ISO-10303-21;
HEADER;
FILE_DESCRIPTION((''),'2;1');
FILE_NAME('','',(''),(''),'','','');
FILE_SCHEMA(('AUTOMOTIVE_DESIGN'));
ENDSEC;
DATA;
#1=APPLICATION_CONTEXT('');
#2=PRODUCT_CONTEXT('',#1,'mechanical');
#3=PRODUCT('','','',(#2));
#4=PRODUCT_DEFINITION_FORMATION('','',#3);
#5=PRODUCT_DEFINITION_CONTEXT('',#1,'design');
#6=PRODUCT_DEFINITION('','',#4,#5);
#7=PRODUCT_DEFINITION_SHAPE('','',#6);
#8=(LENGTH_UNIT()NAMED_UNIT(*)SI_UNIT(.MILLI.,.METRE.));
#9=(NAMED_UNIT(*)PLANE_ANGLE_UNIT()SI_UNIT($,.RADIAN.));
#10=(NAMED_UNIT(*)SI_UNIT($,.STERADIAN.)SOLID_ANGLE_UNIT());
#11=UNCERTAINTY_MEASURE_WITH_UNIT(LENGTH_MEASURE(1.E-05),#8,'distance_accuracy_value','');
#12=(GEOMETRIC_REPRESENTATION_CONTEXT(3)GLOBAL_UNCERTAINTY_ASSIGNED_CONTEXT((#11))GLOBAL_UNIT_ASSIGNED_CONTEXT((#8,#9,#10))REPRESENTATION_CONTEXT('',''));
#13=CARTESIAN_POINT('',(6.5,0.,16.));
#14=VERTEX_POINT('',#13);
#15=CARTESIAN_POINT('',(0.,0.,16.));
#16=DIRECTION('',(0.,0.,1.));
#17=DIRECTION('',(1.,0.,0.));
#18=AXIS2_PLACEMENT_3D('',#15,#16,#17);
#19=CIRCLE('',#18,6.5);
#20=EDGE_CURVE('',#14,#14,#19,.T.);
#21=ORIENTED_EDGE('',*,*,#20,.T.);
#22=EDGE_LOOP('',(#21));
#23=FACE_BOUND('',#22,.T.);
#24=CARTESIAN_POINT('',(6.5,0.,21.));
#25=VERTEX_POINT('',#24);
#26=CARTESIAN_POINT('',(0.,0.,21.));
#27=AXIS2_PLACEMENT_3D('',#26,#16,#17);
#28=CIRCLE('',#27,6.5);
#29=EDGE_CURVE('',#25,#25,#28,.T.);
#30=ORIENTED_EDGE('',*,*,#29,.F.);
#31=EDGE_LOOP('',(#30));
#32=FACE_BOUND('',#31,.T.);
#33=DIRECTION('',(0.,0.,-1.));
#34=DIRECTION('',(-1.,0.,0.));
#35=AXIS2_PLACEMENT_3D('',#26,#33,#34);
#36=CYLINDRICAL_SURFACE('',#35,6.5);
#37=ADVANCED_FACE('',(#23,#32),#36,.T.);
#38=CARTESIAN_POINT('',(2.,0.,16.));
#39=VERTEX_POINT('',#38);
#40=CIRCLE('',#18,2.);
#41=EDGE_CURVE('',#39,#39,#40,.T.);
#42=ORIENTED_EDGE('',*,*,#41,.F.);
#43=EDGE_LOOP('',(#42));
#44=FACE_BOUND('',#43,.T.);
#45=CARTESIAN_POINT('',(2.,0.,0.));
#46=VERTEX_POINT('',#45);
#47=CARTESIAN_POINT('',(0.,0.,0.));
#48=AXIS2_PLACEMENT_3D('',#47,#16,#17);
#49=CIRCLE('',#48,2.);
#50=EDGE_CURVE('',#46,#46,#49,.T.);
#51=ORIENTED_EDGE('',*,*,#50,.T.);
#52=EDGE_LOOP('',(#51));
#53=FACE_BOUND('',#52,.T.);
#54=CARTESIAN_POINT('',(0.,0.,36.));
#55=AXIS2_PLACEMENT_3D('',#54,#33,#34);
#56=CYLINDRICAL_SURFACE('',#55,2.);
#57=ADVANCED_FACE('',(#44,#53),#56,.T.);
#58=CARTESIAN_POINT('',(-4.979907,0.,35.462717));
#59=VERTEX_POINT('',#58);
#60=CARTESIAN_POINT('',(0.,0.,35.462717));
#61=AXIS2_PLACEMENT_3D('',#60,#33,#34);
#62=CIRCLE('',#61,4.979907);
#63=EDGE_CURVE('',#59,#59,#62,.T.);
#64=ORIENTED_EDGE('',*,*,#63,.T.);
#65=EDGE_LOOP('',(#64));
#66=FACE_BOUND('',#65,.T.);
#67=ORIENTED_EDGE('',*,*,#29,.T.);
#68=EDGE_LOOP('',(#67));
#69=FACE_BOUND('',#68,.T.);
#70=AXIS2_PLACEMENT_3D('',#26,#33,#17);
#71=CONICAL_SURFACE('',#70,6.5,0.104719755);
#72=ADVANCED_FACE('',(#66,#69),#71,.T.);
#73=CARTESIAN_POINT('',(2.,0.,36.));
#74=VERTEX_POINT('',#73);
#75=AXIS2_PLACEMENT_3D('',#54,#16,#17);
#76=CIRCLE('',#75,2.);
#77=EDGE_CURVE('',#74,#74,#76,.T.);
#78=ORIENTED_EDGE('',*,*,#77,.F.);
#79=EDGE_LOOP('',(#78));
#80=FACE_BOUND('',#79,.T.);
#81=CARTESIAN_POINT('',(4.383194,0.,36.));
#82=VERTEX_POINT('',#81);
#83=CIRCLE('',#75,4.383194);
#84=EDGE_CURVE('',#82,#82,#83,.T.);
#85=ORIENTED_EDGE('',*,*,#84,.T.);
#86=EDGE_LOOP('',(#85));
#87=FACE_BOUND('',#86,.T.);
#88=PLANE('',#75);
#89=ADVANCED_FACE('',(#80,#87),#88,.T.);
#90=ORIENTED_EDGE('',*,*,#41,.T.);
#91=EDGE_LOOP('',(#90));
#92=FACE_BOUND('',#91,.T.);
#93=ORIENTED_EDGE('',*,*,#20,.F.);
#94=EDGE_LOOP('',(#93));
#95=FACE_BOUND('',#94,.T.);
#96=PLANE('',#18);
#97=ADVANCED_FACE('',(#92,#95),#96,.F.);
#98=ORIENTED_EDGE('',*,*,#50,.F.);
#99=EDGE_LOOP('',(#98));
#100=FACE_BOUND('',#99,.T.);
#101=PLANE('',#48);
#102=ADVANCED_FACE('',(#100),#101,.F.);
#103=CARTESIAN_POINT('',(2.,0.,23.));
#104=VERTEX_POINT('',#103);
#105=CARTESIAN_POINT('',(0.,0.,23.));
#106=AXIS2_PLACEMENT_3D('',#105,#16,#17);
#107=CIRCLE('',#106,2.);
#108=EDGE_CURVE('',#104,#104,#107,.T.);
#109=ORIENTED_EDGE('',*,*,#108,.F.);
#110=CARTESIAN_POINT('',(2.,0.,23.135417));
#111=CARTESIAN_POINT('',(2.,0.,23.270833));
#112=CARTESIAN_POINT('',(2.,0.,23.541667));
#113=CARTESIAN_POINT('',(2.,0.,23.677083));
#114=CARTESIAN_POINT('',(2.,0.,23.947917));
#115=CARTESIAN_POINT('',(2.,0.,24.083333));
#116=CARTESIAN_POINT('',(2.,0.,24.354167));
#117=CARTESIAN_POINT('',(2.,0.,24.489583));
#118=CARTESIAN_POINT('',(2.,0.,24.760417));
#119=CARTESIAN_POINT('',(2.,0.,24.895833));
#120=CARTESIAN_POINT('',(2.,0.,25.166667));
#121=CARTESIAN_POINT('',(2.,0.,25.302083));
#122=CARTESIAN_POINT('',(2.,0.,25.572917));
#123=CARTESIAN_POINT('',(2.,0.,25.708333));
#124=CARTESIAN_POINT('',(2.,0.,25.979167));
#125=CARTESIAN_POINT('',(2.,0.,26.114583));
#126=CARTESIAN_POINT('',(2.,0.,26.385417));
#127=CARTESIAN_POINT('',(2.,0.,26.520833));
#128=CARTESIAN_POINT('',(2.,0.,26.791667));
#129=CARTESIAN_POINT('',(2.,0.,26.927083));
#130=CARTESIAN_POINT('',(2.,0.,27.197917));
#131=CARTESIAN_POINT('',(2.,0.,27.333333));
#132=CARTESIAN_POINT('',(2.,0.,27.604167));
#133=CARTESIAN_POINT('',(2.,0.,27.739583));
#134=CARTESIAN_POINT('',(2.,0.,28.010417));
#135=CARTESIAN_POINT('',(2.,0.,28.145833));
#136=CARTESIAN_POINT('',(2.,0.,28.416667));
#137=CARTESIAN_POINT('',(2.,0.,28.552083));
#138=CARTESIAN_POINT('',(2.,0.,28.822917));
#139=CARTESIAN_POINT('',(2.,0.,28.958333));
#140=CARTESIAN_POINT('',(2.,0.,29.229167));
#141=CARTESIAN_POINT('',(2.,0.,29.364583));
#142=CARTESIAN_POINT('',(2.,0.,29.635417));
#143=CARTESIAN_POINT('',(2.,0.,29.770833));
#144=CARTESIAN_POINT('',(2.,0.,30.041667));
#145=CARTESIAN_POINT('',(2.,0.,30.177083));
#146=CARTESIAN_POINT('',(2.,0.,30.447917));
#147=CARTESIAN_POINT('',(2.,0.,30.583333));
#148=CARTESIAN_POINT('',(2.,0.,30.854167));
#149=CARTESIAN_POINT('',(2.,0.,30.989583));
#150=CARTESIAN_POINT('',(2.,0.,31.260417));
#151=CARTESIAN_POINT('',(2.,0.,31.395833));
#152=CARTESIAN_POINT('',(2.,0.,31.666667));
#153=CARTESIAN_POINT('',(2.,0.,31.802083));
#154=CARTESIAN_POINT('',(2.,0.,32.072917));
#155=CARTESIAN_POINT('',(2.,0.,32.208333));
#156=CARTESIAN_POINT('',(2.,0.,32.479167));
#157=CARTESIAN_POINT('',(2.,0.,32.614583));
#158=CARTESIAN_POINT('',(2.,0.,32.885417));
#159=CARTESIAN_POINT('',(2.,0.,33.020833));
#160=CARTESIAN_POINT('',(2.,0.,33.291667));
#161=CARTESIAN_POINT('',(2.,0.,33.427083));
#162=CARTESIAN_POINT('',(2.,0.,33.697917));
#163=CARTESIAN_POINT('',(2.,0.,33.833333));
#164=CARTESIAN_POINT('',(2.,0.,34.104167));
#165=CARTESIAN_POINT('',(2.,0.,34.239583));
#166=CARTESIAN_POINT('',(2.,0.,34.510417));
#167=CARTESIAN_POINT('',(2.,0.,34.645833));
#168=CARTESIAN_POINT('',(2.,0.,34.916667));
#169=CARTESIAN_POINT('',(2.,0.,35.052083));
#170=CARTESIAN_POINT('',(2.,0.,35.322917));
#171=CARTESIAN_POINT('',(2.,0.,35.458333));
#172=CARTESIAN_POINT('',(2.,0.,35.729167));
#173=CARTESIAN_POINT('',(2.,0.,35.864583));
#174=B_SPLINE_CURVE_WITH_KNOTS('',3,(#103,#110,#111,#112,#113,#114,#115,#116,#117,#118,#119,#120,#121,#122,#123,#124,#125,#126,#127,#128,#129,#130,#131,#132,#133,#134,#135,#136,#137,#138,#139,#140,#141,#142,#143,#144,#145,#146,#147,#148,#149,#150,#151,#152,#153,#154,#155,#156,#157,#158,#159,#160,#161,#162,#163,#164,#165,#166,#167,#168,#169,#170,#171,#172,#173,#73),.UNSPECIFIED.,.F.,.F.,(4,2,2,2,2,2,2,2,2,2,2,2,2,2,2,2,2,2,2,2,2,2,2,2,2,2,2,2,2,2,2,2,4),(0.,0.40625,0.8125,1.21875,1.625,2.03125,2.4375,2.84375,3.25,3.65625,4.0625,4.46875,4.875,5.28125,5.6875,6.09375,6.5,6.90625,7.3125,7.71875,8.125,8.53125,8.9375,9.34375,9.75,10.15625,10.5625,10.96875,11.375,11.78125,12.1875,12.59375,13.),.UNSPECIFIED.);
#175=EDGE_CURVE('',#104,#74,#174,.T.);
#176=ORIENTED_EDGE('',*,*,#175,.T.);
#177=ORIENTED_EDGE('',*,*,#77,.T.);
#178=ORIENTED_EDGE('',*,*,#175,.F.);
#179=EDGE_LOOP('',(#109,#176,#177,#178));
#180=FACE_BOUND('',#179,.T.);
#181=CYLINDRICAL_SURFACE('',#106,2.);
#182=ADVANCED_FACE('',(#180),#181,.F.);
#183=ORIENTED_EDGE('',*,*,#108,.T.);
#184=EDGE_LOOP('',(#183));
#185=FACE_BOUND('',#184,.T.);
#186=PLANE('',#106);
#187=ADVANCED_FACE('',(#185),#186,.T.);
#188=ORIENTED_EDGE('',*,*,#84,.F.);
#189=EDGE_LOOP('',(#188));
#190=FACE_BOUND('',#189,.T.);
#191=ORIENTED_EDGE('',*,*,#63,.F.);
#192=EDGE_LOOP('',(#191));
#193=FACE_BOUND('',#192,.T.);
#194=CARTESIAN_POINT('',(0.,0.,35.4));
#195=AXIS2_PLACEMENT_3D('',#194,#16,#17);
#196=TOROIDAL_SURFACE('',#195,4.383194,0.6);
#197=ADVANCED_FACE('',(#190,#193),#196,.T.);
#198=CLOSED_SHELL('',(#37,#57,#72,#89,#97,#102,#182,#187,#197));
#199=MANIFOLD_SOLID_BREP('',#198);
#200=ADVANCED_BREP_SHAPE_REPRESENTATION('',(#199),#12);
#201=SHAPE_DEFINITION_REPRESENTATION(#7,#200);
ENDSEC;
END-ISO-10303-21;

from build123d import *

# Parameters (mm, degrees)
SKETCH_1_R          = 2
EXTRUDE_1_DEPTH     = 36
SKETCH_2_R          = 6.5
EXTRUDE_2_DEPTH     = 5
SKETCH_3_R          = 6.5
EXTRUDE_3_DEPTH     = 15
EXTRUDE_3_TAPER     = 6
CUT_EXTRUDE_START   = -13
SKETCH_4_R          = 2
CUT_EXTRUDE_1_DEPTH = 13
FILLET_1_R          = 0.6


with BuildPart() as part:
    # 草图1 → 凸台-拉伸1 (new body)
    with BuildSketch(Plane.XY):
        Circle(SKETCH_1_R)
    extrude(amount=EXTRUDE_1_DEPTH)

    # 草图2 → 凸台-拉伸2 (add)
    with BuildSketch(Plane.XY.offset(16)):
        Circle(SKETCH_2_R)
    extrude(amount=EXTRUDE_2_DEPTH)

    # 草图3 → 凸台-拉伸3 (add)
    with BuildSketch(Plane.XY.offset(21)):
        Circle(SKETCH_3_R)
    extrude(amount=EXTRUDE_3_DEPTH, taper=EXTRUDE_3_TAPER)

    # 草图4 → 切除-拉伸1 (cut)
    with BuildSketch(Plane.XY.offset(36).offset(CUT_EXTRUDE_START)):
        Circle(SKETCH_4_R)
    extrude(amount=CUT_EXTRUDE_1_DEPTH, mode=Mode.SUBTRACT)

    # 圆角1
    fillet_1_edges = [part.edges().sort_by_distance(p)[0] for p in [
        (-4.923436471, 0, 36),
    ]]
    fillet(fillet_1_edges, radius=FILLET_1_R)


solid = part.part
